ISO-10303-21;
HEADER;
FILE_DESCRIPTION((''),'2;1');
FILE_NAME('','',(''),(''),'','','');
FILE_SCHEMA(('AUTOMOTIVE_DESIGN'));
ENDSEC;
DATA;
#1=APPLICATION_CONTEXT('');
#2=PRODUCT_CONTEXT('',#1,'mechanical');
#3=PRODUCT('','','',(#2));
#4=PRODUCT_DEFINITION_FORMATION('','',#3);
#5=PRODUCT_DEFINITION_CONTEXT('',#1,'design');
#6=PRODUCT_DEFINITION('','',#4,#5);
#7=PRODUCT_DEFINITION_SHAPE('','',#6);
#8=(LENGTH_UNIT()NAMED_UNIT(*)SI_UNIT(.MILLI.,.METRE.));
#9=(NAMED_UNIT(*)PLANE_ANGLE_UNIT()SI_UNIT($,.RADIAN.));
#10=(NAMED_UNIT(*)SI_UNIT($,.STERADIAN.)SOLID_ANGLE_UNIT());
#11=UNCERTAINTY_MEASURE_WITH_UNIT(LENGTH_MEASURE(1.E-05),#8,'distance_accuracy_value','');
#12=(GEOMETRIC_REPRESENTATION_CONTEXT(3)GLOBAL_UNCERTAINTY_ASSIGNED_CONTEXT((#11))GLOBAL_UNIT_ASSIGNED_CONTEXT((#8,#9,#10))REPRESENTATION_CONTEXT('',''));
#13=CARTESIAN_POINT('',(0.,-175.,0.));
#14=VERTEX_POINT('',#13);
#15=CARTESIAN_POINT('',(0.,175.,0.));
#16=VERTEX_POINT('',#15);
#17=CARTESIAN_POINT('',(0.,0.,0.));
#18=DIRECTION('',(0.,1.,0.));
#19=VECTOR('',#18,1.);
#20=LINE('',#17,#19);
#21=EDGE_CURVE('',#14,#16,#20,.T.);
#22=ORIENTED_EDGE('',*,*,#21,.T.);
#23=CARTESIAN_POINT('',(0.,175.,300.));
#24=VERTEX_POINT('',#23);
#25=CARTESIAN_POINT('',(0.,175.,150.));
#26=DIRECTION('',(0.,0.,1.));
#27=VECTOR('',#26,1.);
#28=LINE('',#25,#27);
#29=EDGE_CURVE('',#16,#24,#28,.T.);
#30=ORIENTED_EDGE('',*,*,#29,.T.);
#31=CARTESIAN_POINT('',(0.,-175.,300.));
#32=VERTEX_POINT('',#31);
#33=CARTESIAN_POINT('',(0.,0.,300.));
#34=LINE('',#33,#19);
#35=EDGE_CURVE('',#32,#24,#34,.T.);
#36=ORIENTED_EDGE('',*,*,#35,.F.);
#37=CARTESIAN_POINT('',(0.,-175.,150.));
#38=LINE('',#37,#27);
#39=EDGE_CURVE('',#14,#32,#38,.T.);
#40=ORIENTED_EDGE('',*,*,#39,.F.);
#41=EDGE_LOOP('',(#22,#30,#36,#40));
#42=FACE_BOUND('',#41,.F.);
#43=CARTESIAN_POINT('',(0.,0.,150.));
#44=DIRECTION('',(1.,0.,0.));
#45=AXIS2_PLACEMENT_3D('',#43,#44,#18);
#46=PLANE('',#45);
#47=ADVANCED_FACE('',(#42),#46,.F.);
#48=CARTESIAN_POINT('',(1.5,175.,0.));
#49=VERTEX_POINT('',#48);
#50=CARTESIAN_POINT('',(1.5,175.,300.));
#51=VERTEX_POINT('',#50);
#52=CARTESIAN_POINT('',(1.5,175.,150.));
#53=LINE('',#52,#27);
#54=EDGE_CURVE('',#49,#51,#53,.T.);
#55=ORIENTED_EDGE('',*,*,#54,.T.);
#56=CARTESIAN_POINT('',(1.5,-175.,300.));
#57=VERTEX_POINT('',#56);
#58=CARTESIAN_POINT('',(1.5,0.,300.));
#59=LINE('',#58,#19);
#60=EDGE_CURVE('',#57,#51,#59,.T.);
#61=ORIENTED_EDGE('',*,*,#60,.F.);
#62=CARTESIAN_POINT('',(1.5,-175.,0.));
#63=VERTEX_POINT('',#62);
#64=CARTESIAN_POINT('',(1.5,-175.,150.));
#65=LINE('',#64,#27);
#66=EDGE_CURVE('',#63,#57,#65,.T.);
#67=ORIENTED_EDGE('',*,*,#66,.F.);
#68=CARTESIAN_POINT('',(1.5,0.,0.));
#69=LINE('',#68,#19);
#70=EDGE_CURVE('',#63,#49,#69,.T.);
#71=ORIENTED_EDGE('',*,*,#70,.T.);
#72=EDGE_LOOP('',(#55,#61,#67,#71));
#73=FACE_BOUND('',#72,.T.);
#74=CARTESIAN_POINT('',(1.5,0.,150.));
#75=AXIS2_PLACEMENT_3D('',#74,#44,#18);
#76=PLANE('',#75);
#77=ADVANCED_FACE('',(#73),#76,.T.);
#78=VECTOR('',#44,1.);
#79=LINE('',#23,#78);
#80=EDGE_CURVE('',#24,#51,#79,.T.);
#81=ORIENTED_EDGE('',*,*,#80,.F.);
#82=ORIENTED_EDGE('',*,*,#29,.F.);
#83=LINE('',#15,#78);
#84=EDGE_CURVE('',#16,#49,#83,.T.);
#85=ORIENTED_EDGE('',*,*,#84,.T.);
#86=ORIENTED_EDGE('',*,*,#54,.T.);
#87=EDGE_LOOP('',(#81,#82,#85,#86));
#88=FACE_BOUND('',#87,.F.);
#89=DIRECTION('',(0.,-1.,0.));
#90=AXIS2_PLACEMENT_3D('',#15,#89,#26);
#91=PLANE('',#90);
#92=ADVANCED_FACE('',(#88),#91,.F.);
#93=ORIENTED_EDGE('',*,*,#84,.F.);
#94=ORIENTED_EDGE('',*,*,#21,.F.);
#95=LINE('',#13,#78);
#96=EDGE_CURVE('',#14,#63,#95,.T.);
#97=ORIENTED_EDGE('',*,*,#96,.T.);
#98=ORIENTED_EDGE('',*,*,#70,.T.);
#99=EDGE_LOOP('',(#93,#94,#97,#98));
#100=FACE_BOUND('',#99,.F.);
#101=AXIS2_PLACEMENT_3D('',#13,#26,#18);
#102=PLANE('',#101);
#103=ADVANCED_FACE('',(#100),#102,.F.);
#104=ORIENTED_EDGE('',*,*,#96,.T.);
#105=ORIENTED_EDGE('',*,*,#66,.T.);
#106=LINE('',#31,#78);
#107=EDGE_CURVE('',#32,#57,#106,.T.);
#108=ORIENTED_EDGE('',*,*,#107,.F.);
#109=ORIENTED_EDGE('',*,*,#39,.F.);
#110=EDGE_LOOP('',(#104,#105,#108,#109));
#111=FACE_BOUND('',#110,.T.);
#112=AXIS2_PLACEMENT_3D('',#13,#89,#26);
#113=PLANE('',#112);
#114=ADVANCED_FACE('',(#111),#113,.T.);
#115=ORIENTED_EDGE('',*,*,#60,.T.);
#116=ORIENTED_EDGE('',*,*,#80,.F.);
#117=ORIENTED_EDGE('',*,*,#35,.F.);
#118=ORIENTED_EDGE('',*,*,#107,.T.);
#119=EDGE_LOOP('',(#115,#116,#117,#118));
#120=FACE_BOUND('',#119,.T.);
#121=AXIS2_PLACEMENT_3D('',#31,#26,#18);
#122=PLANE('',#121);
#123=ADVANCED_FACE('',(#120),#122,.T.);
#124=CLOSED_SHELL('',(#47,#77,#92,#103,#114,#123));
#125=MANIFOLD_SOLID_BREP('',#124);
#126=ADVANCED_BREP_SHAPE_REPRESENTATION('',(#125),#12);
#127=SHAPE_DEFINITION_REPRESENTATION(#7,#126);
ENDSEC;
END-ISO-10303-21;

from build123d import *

# Parameters (mm, degrees)
SKETCH_W  = 350
SKETCH_H  = 300
PAD_DEPTH = 1.5


with BuildPart() as part:
    # Sketch → Pad (new body)
    with BuildSketch(Plane.YZ):
        with Locations((0, 150)):
            Rectangle(SKETCH_W, SKETCH_H)
    extrude(amount=PAD_DEPTH)


solid = part.part
